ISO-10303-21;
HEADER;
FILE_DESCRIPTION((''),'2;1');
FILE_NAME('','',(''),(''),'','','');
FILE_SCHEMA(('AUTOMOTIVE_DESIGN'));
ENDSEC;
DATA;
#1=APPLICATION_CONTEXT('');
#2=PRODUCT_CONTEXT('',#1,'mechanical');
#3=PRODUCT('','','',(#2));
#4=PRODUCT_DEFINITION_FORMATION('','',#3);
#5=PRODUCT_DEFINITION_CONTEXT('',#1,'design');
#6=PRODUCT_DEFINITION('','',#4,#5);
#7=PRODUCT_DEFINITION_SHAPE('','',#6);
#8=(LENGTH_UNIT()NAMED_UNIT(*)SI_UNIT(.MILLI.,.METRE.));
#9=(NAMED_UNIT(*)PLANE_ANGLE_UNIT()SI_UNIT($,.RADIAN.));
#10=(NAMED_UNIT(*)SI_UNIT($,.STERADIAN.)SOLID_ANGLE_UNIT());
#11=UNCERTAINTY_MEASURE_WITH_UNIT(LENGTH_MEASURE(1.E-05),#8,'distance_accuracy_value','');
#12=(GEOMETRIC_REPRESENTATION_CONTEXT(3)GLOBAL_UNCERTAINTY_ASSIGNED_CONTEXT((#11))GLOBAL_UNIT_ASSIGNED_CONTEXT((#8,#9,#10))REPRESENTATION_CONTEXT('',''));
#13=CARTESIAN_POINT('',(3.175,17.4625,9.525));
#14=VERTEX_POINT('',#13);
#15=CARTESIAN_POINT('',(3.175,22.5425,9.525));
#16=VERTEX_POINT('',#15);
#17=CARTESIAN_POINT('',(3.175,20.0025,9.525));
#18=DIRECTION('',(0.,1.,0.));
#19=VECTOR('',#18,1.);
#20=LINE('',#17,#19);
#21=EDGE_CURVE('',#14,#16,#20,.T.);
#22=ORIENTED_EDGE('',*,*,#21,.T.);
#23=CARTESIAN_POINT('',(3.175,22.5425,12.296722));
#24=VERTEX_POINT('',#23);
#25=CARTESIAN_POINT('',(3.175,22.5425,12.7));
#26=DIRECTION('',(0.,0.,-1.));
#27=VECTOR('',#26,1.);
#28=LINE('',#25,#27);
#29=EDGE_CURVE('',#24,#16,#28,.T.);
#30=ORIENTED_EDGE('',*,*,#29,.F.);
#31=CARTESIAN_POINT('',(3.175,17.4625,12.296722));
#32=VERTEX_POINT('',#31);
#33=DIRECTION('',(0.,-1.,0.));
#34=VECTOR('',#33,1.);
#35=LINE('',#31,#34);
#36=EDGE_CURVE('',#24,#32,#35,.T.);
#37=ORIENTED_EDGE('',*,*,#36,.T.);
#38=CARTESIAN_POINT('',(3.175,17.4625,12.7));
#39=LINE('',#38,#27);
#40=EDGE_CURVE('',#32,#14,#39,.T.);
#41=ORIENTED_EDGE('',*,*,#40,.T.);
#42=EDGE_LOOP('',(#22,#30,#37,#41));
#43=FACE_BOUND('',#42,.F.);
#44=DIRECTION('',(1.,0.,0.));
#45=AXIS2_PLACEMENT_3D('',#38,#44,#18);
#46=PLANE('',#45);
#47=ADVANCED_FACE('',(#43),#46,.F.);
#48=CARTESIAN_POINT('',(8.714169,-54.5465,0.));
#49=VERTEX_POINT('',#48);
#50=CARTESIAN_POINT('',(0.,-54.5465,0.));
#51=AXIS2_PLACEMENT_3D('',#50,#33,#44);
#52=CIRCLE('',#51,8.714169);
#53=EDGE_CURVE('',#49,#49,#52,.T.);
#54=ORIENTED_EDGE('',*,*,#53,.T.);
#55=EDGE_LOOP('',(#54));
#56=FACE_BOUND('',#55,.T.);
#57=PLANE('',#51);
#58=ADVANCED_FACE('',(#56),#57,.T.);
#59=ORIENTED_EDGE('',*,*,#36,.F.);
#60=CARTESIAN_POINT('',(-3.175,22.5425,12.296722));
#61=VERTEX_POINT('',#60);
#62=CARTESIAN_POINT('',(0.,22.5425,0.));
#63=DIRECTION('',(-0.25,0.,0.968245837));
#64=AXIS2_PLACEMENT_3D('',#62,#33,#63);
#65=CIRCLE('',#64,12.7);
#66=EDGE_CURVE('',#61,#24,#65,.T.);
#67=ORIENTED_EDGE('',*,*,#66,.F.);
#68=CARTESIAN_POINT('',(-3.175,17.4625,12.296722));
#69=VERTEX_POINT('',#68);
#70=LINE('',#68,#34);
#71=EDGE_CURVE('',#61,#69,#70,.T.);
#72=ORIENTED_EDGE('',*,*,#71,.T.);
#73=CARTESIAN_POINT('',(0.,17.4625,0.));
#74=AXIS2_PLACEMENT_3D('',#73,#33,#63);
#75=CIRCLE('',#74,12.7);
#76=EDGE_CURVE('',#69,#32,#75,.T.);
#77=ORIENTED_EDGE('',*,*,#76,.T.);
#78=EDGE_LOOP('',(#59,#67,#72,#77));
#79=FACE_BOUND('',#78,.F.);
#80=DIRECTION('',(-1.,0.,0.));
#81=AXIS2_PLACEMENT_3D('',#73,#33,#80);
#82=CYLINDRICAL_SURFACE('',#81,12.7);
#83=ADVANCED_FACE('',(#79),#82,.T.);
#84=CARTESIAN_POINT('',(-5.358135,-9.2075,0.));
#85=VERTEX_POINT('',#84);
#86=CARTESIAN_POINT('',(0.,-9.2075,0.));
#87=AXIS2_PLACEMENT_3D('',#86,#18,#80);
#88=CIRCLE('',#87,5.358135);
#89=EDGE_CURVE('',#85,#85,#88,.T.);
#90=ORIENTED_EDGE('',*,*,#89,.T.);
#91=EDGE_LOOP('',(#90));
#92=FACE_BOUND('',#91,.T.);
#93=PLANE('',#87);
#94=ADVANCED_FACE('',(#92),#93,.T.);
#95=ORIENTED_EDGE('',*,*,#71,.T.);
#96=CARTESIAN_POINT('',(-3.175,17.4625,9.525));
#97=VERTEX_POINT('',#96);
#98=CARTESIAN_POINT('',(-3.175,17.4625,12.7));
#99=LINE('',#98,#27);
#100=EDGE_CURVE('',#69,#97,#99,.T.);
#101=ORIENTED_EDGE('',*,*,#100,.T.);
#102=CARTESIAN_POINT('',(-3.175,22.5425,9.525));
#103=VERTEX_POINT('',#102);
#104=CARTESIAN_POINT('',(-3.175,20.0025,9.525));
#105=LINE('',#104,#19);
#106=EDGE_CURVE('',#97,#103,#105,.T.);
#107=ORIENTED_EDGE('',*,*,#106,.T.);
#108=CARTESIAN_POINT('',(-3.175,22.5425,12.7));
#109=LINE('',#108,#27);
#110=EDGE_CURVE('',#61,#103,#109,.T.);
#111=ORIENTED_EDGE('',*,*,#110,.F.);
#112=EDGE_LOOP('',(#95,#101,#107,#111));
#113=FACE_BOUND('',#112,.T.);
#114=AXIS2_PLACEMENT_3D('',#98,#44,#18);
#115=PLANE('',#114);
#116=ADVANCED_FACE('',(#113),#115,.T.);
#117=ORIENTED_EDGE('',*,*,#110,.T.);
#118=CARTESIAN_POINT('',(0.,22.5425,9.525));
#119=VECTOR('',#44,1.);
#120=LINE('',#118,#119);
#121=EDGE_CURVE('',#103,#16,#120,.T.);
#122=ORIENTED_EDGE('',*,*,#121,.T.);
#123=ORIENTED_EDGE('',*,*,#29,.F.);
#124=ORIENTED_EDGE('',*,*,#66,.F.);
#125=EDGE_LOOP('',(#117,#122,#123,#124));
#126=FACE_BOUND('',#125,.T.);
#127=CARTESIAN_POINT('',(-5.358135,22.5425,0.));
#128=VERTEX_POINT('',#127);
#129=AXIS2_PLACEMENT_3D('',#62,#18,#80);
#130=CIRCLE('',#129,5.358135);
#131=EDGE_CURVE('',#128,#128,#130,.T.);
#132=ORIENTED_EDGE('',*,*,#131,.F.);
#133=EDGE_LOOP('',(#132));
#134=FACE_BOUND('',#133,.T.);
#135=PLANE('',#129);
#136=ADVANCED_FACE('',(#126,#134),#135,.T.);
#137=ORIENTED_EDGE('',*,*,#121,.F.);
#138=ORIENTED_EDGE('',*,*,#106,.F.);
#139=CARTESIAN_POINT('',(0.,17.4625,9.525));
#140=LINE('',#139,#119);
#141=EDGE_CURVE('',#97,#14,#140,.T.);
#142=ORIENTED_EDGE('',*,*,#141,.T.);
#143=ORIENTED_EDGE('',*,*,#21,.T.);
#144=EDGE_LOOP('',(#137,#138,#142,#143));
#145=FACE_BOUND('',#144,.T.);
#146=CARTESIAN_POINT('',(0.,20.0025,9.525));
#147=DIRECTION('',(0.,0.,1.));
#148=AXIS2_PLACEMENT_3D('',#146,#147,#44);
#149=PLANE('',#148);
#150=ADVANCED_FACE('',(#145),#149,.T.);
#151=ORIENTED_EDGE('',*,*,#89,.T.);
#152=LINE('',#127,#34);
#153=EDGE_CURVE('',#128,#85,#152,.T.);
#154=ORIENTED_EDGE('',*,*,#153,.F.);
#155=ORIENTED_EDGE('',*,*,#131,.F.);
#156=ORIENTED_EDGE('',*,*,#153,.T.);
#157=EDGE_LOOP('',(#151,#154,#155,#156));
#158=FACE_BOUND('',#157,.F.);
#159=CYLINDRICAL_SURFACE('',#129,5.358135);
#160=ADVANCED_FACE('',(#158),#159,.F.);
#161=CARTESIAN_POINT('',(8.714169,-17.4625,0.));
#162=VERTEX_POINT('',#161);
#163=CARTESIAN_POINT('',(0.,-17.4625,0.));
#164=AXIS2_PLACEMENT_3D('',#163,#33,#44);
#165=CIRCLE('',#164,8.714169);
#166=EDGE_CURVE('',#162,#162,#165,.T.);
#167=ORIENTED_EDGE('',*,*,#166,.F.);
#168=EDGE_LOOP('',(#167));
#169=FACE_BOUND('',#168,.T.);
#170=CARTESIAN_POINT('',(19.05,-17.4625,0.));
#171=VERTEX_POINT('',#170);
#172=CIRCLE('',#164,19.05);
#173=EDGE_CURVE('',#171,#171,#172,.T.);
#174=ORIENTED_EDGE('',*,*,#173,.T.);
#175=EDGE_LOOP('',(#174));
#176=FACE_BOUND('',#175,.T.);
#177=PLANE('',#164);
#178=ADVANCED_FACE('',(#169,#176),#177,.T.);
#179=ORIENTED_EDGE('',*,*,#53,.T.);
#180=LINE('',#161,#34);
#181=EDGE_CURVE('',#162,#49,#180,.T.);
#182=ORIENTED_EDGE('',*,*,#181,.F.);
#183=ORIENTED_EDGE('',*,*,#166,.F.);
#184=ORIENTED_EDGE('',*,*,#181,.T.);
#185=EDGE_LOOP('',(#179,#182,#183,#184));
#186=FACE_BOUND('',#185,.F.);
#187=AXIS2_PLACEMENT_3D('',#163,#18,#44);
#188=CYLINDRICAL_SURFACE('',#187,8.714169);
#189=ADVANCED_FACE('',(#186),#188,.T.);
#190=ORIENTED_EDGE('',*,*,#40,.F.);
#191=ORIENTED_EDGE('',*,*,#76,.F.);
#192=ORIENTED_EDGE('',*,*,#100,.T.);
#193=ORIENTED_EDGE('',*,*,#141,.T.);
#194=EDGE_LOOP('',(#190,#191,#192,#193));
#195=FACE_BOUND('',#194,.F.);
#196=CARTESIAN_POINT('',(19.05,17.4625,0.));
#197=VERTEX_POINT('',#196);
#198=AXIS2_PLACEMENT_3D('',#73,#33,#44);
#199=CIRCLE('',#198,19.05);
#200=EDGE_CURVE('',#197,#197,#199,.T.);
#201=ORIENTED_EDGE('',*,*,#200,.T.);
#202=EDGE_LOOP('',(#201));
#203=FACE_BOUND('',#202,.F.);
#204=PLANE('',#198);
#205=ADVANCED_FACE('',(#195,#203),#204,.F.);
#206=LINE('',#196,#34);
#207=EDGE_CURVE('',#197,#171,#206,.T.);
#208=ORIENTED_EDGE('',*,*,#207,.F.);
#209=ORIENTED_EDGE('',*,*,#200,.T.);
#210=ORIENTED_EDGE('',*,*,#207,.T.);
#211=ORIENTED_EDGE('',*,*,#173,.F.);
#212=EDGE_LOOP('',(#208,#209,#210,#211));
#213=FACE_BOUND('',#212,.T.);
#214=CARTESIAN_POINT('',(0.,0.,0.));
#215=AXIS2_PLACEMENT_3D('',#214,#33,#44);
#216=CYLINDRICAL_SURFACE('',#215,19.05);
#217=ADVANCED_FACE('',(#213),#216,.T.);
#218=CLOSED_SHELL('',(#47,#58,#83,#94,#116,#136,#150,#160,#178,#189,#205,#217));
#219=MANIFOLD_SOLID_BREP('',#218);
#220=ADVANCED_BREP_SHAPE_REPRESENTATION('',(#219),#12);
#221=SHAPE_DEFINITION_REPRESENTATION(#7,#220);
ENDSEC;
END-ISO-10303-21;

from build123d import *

# Parameters (mm, degrees)
F0_R      = 19.05
F1_DEPTH  = 17.4625
F2_R      = 8.7141687226
F3_DEPTH  = 37.084
F4_R      = 12.7
F5_DEPTH  = 5.08
F6_R      = 5.3581350259
F7_DEPTH  = 31.75
F10_W     = 6.35
F10_H     = 5.08
F11_DEPTH = 3.175


with BuildPart() as f1:
    # F0 (on Front) → F1 (new body, symmetric)
    with BuildSketch(Plane.XZ):
        Circle(F0_R)
    extrude(amount=F1_DEPTH, both=True)

    # F2 (on face) → F3 (join)
    with BuildSketch(Plane.XZ.offset(17.4625)):
        Circle(F2_R)
    extrude(amount=F3_DEPTH)

    # F4 (on face) → F5 (join)
    with BuildSketch(Plane(origin=(0, 17.4625, 0), x_dir=(-1, 0, 0), z_dir=(0, 1, 0))):
        Circle(F4_R)
    extrude(amount=F5_DEPTH)

    # F6 (on face) → F7 (cut)
    with BuildSketch(Plane(origin=(0, 22.5425, 0), x_dir=(-1, 0, 0), z_dir=(0, 1, 0))):
        Circle(F6_R)
    extrude(amount=-F7_DEPTH, mode=Mode.SUBTRACT)

    # F10 (on plane+point) → F11 (cut)
    with BuildSketch(Plane.XY.offset(12.7)):
        with Locations((0, 20.0025)):
            Rectangle(F10_W, F10_H)
    extrude(amount=-F11_DEPTH, mode=Mode.SUBTRACT)


solid = f1.part
